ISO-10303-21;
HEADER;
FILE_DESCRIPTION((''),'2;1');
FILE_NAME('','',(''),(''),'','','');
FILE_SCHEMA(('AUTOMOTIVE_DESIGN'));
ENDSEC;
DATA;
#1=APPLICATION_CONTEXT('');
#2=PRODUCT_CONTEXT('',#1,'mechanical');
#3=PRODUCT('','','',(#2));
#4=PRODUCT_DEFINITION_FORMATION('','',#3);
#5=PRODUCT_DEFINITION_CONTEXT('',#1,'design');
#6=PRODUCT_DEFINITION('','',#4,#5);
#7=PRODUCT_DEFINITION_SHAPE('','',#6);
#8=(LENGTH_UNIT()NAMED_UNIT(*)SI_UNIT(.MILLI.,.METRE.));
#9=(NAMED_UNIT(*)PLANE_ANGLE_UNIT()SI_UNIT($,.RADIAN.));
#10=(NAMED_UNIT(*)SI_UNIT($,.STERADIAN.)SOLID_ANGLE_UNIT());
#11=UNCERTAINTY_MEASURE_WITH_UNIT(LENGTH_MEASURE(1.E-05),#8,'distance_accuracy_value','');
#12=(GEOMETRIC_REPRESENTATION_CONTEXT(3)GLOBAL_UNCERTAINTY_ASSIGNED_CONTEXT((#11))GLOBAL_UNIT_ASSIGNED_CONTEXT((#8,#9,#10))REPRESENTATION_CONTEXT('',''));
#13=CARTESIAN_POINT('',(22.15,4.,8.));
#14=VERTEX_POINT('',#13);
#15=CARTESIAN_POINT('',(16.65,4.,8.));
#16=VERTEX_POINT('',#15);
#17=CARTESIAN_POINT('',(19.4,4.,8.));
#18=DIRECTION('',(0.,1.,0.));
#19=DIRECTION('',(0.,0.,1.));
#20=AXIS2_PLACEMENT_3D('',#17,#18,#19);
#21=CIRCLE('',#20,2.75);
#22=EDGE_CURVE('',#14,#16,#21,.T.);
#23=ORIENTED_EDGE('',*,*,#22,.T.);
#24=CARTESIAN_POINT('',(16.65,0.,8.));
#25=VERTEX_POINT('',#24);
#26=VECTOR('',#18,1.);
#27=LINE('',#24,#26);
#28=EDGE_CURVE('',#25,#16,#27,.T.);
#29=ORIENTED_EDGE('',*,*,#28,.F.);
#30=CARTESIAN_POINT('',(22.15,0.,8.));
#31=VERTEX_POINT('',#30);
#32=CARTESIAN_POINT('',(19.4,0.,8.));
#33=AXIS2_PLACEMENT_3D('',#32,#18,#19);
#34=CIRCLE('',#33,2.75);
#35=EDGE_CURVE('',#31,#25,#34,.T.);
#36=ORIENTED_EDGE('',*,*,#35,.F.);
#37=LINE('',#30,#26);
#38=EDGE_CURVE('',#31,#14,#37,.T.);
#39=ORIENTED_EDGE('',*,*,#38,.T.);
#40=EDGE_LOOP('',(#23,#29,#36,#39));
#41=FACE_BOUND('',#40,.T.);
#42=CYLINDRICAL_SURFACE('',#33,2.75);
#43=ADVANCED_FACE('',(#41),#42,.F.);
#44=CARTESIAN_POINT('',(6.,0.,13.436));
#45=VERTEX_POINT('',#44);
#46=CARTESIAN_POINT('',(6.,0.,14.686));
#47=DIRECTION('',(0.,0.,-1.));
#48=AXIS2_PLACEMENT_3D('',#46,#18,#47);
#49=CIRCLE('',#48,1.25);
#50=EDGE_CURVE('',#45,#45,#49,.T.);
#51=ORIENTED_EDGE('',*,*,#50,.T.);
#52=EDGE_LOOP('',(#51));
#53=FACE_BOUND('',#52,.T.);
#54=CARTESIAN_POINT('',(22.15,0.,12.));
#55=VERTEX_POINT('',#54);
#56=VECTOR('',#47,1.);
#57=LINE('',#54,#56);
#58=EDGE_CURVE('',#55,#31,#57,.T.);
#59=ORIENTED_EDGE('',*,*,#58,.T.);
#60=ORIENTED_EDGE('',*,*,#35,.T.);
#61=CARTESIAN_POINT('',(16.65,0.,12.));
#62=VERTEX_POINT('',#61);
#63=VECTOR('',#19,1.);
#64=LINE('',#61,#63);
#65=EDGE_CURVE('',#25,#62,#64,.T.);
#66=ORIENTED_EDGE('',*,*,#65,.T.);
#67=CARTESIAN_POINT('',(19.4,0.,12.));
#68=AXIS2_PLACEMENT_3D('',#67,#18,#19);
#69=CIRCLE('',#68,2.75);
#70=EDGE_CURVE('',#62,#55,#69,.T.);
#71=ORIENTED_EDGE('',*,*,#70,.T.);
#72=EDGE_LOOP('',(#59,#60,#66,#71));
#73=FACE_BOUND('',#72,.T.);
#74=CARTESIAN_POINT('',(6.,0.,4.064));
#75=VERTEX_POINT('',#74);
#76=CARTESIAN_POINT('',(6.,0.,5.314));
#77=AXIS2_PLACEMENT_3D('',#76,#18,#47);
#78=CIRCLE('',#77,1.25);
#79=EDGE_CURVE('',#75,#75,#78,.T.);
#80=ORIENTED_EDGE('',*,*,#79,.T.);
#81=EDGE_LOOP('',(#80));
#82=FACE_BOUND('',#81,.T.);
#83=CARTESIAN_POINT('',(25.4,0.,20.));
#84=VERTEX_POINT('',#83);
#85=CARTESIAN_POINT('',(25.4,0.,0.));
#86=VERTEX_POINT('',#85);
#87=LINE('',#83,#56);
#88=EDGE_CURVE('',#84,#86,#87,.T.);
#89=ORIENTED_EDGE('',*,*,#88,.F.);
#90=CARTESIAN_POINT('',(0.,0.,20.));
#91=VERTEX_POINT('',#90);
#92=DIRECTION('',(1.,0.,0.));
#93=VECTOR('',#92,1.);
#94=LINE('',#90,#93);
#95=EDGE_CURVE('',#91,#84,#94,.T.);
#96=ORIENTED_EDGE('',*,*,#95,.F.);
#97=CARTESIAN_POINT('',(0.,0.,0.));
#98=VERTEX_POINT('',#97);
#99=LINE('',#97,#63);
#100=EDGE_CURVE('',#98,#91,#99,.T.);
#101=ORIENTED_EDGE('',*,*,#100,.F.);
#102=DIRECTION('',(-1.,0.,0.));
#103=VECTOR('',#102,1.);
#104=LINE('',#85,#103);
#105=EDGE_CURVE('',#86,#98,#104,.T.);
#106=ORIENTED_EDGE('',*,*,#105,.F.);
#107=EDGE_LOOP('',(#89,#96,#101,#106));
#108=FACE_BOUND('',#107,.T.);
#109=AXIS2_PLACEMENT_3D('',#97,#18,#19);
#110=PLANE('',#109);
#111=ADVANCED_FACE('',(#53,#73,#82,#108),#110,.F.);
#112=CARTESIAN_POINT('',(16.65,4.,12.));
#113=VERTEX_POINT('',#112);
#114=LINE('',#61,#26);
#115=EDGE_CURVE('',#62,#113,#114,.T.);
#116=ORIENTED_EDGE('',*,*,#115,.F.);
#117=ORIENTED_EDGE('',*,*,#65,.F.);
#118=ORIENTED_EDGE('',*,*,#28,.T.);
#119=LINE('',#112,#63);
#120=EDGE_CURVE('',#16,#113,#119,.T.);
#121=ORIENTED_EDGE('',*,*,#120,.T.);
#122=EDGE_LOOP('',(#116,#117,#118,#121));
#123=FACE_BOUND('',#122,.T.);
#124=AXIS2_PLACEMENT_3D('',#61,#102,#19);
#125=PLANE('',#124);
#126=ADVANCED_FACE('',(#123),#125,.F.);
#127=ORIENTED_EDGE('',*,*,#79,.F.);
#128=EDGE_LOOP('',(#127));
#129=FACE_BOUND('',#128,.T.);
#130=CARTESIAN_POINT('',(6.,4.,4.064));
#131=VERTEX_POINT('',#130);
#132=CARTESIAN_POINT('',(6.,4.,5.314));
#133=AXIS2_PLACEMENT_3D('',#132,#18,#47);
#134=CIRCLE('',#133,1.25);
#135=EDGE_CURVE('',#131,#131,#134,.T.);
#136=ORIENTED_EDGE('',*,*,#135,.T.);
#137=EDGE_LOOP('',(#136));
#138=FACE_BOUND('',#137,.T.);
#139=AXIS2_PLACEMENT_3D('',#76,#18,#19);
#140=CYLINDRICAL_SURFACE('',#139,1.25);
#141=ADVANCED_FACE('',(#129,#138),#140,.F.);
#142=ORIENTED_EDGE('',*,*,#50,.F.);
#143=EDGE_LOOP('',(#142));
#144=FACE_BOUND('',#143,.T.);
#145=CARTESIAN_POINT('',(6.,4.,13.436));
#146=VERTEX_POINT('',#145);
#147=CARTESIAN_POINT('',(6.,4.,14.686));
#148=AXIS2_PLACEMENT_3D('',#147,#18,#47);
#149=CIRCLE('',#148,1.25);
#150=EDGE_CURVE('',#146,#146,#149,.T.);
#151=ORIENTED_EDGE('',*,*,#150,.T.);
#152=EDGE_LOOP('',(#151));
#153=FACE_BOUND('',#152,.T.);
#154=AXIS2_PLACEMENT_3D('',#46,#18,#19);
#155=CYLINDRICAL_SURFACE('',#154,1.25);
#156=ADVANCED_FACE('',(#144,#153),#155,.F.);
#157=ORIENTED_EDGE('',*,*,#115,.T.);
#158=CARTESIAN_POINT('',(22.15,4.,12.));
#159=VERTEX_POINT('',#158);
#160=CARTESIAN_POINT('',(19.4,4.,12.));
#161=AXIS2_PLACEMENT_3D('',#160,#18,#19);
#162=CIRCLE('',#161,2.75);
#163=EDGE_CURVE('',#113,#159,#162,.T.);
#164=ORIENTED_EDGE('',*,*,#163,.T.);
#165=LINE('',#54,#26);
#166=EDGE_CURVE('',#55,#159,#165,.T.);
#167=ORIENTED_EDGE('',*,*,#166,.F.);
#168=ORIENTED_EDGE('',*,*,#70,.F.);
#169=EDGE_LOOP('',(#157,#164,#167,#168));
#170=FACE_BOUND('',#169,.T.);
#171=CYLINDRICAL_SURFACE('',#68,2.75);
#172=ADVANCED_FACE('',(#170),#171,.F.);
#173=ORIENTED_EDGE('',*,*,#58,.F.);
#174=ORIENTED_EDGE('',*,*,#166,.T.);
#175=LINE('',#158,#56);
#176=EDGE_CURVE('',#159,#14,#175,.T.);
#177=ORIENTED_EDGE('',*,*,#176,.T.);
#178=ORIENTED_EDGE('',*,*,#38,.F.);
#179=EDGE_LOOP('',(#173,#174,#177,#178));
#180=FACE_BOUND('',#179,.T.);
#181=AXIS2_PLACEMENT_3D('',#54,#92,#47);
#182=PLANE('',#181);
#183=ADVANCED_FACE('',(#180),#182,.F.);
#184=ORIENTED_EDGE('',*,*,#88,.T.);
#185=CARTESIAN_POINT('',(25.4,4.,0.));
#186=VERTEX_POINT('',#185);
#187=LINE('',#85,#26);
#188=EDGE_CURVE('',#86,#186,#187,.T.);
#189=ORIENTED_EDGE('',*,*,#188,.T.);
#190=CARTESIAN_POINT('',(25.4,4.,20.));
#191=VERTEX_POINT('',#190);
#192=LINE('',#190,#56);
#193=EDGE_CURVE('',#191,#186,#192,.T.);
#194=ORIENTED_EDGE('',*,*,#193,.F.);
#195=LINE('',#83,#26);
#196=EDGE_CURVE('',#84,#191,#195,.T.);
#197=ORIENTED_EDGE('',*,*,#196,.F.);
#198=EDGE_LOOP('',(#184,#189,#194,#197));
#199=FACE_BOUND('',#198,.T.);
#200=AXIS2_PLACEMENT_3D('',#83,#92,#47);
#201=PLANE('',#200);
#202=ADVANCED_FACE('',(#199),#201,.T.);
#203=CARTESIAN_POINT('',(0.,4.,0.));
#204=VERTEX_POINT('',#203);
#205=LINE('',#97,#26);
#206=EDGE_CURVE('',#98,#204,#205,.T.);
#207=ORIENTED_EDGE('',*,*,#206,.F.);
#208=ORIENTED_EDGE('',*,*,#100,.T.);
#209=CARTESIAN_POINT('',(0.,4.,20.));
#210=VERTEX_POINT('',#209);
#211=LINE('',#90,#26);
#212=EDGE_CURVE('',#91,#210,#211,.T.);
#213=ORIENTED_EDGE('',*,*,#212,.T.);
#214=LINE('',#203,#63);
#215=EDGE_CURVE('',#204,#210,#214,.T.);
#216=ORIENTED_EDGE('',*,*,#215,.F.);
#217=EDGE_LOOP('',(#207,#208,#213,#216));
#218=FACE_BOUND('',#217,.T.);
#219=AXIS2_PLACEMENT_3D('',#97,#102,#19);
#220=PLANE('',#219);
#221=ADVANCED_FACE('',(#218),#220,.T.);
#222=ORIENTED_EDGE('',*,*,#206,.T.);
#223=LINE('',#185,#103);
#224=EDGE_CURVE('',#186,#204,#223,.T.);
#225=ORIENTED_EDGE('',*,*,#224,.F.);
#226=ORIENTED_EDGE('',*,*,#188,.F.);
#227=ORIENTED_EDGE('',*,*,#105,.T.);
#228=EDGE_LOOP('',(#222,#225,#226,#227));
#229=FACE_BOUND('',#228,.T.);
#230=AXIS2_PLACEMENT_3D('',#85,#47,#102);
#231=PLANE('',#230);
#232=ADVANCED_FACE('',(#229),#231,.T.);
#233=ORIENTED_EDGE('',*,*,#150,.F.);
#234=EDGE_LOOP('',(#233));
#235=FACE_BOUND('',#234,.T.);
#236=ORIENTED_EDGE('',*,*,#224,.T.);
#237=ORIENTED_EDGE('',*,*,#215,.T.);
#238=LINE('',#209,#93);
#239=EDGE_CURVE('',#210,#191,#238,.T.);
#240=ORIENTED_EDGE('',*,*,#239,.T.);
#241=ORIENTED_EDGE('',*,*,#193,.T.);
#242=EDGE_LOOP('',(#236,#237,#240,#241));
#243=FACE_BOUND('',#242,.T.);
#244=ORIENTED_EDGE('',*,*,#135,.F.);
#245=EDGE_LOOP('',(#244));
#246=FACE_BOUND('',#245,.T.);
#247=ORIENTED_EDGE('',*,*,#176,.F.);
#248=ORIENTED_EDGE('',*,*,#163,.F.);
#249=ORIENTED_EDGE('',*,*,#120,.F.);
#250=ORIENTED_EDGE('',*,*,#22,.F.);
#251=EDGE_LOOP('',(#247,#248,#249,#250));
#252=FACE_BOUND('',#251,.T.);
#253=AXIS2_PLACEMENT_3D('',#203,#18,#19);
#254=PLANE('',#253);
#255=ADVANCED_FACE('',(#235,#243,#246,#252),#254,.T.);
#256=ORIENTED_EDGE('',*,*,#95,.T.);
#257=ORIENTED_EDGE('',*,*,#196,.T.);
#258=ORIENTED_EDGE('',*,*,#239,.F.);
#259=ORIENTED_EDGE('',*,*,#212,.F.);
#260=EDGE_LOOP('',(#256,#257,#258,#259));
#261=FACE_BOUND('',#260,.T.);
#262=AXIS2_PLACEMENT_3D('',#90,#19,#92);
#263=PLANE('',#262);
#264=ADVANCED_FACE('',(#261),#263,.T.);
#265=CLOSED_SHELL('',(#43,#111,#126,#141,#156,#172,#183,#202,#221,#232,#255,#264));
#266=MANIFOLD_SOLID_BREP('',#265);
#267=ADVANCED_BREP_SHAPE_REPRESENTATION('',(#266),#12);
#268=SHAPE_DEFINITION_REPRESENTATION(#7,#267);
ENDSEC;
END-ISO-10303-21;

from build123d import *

# Parameters (mm, degrees)
SKETCH1_W           = 25.4
SKETCH1_H           = 20
SKETCH1_R           = 1.25
BOSS_EXTRUDE1_DEPTH = 4


with BuildPart() as part:
    # Sketch1 → Boss-Extrude1 (new body)
    with BuildSketch(Plane(origin=(0, 4, 0), x_dir=(1, 0, 0), z_dir=(0, 1, 0))):
        with Locations((12.7, -10)):
            Rectangle(SKETCH1_W, SKETCH1_H)
        with Locations((6, -14.686)):
            Circle(SKETCH1_R, mode=Mode.SUBTRACT)
        with Locations((6, -5.314)):
            Circle(SKETCH1_R, mode=Mode.SUBTRACT)
        with BuildLine():
            Line((16.65, -12), (16.65, -8))
            ThreePointArc((16.65, -8), (19.4, -5.25), (22.15, -8))
            Line((22.15, -8), (22.15, -12))
            ThreePointArc((22.15, -12), (19.4, -14.75), (16.65, -12))
        make_face(mode=Mode.SUBTRACT)
    extrude(amount=-BOSS_EXTRUDE1_DEPTH)


solid = part.part
